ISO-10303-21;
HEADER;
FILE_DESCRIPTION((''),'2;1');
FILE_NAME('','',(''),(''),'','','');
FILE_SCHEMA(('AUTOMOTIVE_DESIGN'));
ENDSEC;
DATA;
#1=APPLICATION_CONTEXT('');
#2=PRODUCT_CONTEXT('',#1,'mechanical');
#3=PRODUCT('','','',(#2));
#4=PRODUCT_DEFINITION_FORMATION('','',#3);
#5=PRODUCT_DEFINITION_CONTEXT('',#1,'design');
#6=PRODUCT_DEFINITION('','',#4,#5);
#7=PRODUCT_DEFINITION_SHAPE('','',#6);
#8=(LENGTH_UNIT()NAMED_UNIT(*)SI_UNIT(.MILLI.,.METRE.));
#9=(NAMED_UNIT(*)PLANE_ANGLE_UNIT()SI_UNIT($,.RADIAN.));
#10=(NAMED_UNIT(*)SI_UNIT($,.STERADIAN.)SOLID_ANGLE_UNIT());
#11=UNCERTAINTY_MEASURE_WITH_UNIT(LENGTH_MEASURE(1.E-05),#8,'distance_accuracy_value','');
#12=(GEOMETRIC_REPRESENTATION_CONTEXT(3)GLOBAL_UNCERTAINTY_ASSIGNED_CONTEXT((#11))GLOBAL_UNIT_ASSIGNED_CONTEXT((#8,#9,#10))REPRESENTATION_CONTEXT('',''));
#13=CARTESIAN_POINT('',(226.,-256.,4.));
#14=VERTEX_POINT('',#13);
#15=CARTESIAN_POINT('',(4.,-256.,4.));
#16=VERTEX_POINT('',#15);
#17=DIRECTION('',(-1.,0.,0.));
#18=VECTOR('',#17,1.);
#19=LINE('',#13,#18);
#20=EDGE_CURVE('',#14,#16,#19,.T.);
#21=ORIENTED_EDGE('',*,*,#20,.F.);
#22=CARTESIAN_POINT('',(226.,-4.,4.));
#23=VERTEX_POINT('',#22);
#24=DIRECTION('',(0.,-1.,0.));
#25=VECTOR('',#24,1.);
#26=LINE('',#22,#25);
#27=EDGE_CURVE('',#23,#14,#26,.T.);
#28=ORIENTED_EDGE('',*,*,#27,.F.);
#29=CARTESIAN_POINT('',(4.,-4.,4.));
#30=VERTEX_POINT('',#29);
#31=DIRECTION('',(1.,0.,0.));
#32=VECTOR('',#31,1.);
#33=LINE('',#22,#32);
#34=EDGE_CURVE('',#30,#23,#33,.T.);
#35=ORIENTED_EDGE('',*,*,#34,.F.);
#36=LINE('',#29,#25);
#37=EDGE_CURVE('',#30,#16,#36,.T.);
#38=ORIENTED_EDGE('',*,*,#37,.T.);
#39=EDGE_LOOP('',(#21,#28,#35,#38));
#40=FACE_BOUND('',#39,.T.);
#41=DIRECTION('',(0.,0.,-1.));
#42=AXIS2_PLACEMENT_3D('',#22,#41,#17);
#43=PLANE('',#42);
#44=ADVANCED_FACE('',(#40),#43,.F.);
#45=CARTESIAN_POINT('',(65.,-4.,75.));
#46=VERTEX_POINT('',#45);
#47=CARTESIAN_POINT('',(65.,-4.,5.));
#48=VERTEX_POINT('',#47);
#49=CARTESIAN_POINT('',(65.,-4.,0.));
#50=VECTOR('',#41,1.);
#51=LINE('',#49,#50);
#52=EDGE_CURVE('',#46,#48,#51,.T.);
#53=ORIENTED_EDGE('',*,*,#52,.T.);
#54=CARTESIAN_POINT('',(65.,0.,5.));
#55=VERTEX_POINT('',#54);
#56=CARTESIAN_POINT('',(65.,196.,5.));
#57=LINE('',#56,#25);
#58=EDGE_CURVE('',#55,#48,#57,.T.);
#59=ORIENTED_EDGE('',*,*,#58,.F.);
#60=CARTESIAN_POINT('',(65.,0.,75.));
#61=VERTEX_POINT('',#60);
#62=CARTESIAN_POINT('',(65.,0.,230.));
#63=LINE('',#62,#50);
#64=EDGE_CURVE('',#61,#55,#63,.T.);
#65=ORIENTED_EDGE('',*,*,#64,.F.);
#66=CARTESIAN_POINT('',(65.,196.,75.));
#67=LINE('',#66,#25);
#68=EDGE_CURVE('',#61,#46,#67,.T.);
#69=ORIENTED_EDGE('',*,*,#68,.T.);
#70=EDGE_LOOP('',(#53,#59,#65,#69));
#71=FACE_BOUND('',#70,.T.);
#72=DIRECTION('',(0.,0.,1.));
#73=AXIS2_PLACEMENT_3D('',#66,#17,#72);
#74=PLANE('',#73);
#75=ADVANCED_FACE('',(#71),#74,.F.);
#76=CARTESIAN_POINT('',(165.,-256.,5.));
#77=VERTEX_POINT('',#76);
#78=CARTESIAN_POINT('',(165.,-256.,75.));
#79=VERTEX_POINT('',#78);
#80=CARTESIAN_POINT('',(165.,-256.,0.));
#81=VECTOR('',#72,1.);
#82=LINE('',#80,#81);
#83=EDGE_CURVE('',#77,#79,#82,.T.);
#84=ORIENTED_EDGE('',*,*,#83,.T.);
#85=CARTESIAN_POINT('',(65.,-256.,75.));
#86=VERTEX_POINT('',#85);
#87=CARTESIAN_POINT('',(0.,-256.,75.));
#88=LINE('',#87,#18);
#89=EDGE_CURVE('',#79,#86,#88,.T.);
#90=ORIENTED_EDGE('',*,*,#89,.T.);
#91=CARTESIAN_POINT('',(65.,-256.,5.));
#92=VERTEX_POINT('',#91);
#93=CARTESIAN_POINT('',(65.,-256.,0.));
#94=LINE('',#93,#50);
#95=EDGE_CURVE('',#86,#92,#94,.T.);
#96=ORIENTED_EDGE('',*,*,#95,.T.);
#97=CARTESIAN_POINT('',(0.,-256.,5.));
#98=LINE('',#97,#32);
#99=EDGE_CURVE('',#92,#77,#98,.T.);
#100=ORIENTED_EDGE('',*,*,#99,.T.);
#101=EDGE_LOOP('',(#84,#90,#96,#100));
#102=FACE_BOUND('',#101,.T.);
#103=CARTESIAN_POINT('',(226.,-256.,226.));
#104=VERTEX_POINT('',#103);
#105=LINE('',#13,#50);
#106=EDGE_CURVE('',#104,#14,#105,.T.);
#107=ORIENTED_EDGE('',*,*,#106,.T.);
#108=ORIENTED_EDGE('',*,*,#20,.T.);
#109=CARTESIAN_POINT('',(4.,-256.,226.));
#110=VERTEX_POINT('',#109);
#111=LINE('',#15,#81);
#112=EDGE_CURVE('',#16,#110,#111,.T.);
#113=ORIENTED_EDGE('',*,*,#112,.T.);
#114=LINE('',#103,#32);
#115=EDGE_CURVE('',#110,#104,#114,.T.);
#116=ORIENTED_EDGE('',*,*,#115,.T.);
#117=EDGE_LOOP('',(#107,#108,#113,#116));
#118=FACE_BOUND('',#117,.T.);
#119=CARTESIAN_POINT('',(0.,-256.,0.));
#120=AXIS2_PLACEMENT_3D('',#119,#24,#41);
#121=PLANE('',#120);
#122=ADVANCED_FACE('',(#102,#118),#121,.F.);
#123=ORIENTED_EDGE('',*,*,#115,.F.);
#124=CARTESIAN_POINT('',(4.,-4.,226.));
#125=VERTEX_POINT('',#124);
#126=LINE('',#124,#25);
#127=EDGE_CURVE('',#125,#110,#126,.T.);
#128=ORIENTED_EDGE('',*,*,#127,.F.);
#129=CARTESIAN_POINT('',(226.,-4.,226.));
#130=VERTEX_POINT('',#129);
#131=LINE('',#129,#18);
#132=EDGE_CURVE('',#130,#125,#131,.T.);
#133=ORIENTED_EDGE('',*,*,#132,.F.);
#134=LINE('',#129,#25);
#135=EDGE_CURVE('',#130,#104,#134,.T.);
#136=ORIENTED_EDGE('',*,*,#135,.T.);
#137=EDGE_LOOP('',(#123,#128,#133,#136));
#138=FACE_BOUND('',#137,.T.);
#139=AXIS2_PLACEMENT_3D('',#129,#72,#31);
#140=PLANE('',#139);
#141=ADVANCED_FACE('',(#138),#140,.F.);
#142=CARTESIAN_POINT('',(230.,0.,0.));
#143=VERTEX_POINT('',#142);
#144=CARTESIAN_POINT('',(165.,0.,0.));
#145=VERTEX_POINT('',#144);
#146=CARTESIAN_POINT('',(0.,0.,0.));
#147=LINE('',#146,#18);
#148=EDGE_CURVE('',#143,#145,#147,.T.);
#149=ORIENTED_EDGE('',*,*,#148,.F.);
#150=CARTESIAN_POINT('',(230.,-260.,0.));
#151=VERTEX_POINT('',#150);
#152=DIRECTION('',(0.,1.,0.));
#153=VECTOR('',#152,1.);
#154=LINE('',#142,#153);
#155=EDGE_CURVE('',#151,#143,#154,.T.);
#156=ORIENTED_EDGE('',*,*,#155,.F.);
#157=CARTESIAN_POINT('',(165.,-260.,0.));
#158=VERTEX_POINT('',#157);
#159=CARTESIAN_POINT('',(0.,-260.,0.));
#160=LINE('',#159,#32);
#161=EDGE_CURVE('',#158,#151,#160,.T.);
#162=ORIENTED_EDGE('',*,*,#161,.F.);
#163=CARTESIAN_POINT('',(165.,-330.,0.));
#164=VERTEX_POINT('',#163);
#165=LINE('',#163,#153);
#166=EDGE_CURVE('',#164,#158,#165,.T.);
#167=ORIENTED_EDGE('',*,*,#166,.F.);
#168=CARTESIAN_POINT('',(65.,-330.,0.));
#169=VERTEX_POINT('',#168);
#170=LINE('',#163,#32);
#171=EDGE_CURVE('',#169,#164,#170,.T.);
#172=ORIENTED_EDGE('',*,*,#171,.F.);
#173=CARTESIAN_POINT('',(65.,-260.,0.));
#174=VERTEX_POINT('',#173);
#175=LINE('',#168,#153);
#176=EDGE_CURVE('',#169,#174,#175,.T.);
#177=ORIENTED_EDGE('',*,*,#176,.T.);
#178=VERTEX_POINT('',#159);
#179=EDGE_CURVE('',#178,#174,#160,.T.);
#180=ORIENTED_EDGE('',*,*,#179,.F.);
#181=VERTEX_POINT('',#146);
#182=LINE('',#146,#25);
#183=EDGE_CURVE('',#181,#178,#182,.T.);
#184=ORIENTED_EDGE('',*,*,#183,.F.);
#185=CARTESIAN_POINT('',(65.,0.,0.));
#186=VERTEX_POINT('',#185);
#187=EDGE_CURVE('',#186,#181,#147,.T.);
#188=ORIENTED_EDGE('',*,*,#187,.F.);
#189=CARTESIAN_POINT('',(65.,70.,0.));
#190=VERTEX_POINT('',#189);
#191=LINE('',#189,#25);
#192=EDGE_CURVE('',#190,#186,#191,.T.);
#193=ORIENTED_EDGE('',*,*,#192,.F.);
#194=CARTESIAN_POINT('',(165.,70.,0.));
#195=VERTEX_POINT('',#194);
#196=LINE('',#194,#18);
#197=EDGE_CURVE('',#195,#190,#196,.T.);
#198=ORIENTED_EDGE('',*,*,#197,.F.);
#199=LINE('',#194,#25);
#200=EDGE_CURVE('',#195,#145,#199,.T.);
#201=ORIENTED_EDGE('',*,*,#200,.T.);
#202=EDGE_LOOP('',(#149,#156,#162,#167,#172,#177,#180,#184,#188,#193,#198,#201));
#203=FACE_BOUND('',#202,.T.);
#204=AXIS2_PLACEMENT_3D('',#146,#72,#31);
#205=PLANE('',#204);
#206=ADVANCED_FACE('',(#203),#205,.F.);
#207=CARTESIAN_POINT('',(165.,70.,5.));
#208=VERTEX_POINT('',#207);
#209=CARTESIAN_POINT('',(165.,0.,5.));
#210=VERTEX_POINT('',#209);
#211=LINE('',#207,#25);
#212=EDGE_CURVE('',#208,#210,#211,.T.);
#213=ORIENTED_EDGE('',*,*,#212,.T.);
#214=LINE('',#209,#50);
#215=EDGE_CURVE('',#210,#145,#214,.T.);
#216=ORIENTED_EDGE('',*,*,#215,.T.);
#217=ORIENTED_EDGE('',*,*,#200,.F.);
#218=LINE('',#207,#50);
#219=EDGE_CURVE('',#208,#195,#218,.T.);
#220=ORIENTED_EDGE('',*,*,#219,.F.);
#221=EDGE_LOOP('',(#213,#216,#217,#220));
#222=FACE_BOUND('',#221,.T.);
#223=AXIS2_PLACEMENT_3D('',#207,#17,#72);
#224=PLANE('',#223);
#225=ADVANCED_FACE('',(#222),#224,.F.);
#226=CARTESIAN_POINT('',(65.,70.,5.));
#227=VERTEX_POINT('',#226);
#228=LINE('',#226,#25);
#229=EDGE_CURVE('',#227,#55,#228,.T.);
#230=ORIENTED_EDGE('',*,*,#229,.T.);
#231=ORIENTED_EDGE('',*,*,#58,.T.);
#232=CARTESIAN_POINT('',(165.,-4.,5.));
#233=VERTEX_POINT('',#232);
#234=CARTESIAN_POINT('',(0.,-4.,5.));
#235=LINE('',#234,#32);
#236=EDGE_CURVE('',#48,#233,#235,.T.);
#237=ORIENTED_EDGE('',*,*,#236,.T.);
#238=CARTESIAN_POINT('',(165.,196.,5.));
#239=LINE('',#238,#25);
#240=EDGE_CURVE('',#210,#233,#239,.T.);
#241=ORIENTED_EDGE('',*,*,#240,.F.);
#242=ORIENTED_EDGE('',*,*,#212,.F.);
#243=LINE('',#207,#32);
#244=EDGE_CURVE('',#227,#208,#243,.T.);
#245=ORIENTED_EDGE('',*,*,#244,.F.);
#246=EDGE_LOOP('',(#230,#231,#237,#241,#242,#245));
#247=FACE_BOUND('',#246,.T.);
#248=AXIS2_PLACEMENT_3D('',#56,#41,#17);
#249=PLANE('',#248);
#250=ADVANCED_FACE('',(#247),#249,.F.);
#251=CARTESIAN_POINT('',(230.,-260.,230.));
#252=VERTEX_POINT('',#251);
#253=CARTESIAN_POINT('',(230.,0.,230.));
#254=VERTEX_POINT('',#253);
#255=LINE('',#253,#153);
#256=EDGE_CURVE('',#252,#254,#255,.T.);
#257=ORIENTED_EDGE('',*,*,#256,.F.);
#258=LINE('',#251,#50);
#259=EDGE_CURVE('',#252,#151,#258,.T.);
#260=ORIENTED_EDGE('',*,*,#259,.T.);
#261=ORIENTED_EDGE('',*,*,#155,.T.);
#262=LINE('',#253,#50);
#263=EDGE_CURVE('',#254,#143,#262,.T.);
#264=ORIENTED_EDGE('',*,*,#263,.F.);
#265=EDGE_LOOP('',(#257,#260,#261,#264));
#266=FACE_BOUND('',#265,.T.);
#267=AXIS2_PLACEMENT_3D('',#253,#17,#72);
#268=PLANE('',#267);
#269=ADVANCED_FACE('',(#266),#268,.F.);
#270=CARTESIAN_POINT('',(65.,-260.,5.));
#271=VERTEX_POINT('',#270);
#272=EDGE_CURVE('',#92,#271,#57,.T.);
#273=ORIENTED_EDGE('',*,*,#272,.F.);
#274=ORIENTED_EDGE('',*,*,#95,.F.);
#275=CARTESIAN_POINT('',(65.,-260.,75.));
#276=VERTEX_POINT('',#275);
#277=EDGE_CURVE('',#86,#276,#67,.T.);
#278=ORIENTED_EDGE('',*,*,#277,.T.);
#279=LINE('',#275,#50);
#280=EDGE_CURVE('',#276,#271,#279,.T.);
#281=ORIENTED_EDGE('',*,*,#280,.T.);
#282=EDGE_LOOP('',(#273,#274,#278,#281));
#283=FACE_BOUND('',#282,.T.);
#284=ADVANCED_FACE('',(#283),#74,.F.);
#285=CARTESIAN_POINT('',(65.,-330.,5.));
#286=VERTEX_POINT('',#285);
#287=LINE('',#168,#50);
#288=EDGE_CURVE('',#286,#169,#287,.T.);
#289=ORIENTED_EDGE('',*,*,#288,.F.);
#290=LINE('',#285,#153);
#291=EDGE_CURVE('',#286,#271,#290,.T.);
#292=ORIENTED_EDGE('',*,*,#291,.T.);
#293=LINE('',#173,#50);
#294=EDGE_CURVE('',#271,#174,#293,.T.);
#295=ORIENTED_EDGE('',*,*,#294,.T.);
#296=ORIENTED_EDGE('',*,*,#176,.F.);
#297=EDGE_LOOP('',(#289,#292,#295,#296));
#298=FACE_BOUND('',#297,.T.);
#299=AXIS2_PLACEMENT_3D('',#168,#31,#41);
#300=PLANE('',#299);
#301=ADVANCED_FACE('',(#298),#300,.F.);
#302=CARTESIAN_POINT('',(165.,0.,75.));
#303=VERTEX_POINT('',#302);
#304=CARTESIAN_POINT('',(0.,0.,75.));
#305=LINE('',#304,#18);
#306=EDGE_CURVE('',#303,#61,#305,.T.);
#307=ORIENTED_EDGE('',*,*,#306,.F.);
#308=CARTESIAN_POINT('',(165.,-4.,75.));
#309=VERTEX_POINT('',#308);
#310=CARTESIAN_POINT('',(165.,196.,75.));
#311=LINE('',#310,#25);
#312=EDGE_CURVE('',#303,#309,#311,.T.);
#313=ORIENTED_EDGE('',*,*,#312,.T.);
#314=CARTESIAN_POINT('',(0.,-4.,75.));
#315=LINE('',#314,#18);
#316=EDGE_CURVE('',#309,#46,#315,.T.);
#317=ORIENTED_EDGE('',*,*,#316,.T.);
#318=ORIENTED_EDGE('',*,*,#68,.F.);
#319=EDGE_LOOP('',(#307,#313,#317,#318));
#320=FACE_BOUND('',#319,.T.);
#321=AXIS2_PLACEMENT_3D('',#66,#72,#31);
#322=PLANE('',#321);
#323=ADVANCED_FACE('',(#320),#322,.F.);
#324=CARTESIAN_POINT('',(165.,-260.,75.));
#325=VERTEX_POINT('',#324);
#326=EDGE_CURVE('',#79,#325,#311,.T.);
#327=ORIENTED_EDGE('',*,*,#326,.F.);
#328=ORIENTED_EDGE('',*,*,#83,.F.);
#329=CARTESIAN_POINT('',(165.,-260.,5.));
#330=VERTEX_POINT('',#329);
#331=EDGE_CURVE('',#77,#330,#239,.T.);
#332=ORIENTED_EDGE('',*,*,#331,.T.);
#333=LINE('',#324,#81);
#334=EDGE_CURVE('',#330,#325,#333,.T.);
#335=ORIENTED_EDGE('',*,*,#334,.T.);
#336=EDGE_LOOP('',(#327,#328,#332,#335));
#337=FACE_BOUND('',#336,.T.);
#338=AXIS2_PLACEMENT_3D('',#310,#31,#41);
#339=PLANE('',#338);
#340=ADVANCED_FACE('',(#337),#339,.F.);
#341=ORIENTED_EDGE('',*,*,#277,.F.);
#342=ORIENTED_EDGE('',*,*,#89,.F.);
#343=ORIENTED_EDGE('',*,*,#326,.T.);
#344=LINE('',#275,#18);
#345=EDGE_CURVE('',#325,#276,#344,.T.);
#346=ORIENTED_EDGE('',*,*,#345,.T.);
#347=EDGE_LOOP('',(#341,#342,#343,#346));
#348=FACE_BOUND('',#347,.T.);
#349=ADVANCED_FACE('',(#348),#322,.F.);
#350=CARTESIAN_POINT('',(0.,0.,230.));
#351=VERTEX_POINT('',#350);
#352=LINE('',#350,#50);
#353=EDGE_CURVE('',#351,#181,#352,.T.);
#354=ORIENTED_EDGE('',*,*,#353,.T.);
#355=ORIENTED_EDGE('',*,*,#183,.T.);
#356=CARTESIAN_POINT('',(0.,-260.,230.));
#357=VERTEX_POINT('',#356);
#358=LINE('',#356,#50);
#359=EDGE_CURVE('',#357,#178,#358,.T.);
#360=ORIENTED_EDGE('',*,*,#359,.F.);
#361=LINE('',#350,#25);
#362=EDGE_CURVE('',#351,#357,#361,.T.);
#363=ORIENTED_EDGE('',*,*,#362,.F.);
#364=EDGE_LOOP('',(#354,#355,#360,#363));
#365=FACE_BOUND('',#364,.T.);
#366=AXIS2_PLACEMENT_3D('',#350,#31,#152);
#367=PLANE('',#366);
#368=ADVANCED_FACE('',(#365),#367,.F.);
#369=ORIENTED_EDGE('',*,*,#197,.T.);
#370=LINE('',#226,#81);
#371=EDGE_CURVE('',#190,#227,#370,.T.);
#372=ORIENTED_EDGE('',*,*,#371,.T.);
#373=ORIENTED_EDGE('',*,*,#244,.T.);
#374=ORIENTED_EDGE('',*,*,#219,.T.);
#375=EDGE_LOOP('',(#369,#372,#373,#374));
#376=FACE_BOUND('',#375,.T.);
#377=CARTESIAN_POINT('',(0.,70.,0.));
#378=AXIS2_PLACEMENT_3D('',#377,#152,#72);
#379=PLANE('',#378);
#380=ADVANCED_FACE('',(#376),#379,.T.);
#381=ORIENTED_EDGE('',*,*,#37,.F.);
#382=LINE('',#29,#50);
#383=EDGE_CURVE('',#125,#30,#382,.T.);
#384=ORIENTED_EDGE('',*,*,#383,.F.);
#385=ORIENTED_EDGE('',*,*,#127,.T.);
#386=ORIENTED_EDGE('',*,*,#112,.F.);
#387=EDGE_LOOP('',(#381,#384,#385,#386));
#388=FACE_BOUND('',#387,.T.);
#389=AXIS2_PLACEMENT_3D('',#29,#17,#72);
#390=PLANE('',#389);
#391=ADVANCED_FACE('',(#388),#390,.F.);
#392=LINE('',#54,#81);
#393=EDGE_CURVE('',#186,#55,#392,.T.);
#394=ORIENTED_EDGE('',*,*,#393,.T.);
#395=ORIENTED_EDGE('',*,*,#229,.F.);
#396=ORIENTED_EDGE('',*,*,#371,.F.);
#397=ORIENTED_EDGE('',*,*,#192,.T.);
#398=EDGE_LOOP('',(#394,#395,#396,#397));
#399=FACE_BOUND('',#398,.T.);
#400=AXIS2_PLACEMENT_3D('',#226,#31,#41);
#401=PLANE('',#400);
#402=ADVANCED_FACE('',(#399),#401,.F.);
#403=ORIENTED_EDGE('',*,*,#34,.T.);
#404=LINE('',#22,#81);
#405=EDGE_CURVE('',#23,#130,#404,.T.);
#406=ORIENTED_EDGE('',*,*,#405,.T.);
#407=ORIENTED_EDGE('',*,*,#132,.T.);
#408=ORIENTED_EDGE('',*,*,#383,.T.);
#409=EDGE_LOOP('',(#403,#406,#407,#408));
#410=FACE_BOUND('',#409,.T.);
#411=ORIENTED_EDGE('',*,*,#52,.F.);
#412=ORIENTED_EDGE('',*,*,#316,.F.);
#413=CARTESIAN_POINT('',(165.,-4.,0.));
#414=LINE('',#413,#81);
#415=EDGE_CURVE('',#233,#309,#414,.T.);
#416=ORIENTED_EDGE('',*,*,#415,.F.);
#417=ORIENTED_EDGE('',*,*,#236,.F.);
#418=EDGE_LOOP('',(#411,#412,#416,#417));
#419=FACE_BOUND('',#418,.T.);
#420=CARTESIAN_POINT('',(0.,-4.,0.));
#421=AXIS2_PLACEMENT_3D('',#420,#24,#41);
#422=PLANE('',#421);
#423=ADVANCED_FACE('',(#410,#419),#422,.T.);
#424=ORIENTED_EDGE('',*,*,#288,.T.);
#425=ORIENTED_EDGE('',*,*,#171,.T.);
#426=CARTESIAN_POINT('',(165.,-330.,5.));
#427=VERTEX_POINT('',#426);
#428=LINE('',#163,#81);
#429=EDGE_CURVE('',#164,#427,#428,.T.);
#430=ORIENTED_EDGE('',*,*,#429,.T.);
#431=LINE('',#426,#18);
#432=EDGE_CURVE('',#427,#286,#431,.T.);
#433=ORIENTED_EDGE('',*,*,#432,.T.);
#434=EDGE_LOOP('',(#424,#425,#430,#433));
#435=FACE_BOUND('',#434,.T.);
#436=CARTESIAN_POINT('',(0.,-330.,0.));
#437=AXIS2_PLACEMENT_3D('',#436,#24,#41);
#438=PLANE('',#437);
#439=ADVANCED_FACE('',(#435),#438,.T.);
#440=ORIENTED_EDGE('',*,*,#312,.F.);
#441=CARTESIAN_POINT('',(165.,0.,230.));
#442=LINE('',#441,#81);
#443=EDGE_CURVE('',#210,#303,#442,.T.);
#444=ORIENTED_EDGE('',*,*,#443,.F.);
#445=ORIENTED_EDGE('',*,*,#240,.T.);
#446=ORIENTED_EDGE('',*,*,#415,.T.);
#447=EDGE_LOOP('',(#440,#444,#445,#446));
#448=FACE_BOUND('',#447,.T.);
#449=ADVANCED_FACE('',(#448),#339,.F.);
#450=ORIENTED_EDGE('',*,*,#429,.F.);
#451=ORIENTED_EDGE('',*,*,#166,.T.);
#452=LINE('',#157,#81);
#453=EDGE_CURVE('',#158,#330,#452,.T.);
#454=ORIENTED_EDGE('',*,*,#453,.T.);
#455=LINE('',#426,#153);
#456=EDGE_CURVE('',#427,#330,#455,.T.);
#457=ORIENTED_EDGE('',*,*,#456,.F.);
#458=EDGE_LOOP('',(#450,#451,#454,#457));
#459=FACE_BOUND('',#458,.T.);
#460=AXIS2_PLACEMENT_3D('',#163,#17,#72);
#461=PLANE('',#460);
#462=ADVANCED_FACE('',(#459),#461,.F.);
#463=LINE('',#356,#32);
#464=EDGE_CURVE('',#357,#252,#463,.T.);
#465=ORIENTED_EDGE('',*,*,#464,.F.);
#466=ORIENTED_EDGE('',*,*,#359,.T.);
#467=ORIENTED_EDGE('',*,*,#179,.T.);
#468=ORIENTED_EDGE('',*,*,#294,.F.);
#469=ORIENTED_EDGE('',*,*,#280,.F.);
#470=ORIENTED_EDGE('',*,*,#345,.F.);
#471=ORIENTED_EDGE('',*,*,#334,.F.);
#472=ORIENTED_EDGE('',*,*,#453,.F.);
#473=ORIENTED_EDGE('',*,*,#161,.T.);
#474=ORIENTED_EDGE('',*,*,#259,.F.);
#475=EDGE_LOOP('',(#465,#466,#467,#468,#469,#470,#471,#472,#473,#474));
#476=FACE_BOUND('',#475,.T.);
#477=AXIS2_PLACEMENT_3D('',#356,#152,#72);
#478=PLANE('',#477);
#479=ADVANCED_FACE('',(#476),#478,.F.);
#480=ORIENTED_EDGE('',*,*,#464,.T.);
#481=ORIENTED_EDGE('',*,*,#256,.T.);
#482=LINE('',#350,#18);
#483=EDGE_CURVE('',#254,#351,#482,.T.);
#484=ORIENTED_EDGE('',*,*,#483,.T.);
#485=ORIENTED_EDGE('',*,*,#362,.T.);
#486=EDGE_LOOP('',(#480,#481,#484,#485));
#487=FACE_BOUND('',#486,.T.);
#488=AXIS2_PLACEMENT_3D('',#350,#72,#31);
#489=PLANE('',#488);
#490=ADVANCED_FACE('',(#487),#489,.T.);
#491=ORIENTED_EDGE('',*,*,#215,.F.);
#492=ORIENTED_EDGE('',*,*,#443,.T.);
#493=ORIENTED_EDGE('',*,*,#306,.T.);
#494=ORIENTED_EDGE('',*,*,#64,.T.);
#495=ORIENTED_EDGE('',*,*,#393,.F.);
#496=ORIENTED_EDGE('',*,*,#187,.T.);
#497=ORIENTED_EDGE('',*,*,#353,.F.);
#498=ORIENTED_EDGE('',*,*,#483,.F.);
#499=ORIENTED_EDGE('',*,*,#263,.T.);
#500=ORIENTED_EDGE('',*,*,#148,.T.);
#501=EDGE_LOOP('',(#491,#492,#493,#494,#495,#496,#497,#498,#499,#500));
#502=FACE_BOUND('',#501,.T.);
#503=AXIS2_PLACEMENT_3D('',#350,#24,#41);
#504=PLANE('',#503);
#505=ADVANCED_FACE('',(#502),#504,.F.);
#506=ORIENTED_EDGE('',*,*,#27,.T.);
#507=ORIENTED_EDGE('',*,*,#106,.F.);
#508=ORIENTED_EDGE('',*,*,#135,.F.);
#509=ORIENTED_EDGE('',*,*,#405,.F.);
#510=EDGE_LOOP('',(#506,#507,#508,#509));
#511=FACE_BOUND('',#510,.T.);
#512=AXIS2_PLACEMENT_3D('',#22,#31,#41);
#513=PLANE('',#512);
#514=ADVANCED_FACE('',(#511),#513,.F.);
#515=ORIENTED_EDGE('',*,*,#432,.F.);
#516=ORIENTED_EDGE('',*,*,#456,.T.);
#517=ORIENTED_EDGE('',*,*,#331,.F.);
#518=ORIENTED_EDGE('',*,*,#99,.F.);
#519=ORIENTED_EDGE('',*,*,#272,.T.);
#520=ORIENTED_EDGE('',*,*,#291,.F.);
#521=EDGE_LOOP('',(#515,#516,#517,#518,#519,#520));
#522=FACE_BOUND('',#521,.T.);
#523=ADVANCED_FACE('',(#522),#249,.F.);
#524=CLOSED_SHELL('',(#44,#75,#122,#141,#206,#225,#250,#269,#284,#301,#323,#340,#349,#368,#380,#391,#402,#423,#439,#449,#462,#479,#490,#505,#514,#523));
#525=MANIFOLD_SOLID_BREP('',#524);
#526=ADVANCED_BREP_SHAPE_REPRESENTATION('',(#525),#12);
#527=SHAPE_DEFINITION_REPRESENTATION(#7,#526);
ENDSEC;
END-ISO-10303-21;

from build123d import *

# Parameters (mm, degrees)
ESQUISSE1_W             = 230
ESQUISSE1_H             = 260
BOSS_EXTRU_1_DEPTH      = 230
ESQUISSE2_W             = 222
ESQUISSE2_H             = 222
ENL_V_MAT_EXTRU_1_DEPTH = 256
ESQUISSE3_W             = 230
ESQUISSE3_H             = 230
BOSS_EXTRU_2_DEPTH      = 4
ESQUISSE4_W             = 100
ESQUISSE4_H             = 70
ENL_V_MAT_EXTRU_2_DEPTH = 456
ESQUISSE5_W             = 100
ESQUISSE5_H             = 5
BOSS_EXTRU_3_DEPTH      = 70
ESQUISSE6_W             = 100
ESQUISSE6_H             = 5
BOSS_EXTRU_4_DEPTH      = 70


with BuildPart() as part:
    # Esquisse1 → Boss.-Extru.1 (new body)
    with BuildSketch(Plane.XY):
        with Locations((115, -130)):
            Rectangle(ESQUISSE1_W, ESQUISSE1_H)
    extrude(amount=BOSS_EXTRU_1_DEPTH)

    # Esquisse2 → Enlèv. mat.-Extru.1 (cut)
    with BuildSketch(Plane.XZ.offset(260)):
        with Locations((115, 115)):
            Rectangle(ESQUISSE2_W, ESQUISSE2_H)
    extrude(amount=-ENL_V_MAT_EXTRU_1_DEPTH, mode=Mode.SUBTRACT)

    # Esquisse3 → Boss.-Extru.2 (add)
    with BuildSketch(Plane.XZ.offset(260)):
        with Locations((115, 115)):
            Rectangle(ESQUISSE3_W, ESQUISSE3_H)
    extrude(amount=-BOSS_EXTRU_2_DEPTH)

    # Esquisse4 → Enlèv. mat.-Extru.2 (cut)
    with BuildSketch(Plane.XZ.offset(260)):
        with Locations((115, 40)):
            Rectangle(ESQUISSE4_W, ESQUISSE4_H)
    extrude(amount=-ENL_V_MAT_EXTRU_2_DEPTH, mode=Mode.SUBTRACT)

    # Esquisse5 → Boss.-Extru.3 (add)
    with BuildSketch(Plane.XZ.offset(260)):
        with Locations((115, 2.5)):
            Rectangle(ESQUISSE5_W, ESQUISSE5_H)
    extrude(amount=BOSS_EXTRU_3_DEPTH)

    # Esquisse6 → Boss.-Extru.4 (add)
    with BuildSketch(Plane(origin=(0, 0, 0), x_dir=(1, 0, 0), z_dir=(0, 1, 0))):
        with Locations((115, -2.5)):
            Rectangle(ESQUISSE6_W, ESQUISSE6_H)
    extrude(amount=BOSS_EXTRU_4_DEPTH)


solid = part.part
